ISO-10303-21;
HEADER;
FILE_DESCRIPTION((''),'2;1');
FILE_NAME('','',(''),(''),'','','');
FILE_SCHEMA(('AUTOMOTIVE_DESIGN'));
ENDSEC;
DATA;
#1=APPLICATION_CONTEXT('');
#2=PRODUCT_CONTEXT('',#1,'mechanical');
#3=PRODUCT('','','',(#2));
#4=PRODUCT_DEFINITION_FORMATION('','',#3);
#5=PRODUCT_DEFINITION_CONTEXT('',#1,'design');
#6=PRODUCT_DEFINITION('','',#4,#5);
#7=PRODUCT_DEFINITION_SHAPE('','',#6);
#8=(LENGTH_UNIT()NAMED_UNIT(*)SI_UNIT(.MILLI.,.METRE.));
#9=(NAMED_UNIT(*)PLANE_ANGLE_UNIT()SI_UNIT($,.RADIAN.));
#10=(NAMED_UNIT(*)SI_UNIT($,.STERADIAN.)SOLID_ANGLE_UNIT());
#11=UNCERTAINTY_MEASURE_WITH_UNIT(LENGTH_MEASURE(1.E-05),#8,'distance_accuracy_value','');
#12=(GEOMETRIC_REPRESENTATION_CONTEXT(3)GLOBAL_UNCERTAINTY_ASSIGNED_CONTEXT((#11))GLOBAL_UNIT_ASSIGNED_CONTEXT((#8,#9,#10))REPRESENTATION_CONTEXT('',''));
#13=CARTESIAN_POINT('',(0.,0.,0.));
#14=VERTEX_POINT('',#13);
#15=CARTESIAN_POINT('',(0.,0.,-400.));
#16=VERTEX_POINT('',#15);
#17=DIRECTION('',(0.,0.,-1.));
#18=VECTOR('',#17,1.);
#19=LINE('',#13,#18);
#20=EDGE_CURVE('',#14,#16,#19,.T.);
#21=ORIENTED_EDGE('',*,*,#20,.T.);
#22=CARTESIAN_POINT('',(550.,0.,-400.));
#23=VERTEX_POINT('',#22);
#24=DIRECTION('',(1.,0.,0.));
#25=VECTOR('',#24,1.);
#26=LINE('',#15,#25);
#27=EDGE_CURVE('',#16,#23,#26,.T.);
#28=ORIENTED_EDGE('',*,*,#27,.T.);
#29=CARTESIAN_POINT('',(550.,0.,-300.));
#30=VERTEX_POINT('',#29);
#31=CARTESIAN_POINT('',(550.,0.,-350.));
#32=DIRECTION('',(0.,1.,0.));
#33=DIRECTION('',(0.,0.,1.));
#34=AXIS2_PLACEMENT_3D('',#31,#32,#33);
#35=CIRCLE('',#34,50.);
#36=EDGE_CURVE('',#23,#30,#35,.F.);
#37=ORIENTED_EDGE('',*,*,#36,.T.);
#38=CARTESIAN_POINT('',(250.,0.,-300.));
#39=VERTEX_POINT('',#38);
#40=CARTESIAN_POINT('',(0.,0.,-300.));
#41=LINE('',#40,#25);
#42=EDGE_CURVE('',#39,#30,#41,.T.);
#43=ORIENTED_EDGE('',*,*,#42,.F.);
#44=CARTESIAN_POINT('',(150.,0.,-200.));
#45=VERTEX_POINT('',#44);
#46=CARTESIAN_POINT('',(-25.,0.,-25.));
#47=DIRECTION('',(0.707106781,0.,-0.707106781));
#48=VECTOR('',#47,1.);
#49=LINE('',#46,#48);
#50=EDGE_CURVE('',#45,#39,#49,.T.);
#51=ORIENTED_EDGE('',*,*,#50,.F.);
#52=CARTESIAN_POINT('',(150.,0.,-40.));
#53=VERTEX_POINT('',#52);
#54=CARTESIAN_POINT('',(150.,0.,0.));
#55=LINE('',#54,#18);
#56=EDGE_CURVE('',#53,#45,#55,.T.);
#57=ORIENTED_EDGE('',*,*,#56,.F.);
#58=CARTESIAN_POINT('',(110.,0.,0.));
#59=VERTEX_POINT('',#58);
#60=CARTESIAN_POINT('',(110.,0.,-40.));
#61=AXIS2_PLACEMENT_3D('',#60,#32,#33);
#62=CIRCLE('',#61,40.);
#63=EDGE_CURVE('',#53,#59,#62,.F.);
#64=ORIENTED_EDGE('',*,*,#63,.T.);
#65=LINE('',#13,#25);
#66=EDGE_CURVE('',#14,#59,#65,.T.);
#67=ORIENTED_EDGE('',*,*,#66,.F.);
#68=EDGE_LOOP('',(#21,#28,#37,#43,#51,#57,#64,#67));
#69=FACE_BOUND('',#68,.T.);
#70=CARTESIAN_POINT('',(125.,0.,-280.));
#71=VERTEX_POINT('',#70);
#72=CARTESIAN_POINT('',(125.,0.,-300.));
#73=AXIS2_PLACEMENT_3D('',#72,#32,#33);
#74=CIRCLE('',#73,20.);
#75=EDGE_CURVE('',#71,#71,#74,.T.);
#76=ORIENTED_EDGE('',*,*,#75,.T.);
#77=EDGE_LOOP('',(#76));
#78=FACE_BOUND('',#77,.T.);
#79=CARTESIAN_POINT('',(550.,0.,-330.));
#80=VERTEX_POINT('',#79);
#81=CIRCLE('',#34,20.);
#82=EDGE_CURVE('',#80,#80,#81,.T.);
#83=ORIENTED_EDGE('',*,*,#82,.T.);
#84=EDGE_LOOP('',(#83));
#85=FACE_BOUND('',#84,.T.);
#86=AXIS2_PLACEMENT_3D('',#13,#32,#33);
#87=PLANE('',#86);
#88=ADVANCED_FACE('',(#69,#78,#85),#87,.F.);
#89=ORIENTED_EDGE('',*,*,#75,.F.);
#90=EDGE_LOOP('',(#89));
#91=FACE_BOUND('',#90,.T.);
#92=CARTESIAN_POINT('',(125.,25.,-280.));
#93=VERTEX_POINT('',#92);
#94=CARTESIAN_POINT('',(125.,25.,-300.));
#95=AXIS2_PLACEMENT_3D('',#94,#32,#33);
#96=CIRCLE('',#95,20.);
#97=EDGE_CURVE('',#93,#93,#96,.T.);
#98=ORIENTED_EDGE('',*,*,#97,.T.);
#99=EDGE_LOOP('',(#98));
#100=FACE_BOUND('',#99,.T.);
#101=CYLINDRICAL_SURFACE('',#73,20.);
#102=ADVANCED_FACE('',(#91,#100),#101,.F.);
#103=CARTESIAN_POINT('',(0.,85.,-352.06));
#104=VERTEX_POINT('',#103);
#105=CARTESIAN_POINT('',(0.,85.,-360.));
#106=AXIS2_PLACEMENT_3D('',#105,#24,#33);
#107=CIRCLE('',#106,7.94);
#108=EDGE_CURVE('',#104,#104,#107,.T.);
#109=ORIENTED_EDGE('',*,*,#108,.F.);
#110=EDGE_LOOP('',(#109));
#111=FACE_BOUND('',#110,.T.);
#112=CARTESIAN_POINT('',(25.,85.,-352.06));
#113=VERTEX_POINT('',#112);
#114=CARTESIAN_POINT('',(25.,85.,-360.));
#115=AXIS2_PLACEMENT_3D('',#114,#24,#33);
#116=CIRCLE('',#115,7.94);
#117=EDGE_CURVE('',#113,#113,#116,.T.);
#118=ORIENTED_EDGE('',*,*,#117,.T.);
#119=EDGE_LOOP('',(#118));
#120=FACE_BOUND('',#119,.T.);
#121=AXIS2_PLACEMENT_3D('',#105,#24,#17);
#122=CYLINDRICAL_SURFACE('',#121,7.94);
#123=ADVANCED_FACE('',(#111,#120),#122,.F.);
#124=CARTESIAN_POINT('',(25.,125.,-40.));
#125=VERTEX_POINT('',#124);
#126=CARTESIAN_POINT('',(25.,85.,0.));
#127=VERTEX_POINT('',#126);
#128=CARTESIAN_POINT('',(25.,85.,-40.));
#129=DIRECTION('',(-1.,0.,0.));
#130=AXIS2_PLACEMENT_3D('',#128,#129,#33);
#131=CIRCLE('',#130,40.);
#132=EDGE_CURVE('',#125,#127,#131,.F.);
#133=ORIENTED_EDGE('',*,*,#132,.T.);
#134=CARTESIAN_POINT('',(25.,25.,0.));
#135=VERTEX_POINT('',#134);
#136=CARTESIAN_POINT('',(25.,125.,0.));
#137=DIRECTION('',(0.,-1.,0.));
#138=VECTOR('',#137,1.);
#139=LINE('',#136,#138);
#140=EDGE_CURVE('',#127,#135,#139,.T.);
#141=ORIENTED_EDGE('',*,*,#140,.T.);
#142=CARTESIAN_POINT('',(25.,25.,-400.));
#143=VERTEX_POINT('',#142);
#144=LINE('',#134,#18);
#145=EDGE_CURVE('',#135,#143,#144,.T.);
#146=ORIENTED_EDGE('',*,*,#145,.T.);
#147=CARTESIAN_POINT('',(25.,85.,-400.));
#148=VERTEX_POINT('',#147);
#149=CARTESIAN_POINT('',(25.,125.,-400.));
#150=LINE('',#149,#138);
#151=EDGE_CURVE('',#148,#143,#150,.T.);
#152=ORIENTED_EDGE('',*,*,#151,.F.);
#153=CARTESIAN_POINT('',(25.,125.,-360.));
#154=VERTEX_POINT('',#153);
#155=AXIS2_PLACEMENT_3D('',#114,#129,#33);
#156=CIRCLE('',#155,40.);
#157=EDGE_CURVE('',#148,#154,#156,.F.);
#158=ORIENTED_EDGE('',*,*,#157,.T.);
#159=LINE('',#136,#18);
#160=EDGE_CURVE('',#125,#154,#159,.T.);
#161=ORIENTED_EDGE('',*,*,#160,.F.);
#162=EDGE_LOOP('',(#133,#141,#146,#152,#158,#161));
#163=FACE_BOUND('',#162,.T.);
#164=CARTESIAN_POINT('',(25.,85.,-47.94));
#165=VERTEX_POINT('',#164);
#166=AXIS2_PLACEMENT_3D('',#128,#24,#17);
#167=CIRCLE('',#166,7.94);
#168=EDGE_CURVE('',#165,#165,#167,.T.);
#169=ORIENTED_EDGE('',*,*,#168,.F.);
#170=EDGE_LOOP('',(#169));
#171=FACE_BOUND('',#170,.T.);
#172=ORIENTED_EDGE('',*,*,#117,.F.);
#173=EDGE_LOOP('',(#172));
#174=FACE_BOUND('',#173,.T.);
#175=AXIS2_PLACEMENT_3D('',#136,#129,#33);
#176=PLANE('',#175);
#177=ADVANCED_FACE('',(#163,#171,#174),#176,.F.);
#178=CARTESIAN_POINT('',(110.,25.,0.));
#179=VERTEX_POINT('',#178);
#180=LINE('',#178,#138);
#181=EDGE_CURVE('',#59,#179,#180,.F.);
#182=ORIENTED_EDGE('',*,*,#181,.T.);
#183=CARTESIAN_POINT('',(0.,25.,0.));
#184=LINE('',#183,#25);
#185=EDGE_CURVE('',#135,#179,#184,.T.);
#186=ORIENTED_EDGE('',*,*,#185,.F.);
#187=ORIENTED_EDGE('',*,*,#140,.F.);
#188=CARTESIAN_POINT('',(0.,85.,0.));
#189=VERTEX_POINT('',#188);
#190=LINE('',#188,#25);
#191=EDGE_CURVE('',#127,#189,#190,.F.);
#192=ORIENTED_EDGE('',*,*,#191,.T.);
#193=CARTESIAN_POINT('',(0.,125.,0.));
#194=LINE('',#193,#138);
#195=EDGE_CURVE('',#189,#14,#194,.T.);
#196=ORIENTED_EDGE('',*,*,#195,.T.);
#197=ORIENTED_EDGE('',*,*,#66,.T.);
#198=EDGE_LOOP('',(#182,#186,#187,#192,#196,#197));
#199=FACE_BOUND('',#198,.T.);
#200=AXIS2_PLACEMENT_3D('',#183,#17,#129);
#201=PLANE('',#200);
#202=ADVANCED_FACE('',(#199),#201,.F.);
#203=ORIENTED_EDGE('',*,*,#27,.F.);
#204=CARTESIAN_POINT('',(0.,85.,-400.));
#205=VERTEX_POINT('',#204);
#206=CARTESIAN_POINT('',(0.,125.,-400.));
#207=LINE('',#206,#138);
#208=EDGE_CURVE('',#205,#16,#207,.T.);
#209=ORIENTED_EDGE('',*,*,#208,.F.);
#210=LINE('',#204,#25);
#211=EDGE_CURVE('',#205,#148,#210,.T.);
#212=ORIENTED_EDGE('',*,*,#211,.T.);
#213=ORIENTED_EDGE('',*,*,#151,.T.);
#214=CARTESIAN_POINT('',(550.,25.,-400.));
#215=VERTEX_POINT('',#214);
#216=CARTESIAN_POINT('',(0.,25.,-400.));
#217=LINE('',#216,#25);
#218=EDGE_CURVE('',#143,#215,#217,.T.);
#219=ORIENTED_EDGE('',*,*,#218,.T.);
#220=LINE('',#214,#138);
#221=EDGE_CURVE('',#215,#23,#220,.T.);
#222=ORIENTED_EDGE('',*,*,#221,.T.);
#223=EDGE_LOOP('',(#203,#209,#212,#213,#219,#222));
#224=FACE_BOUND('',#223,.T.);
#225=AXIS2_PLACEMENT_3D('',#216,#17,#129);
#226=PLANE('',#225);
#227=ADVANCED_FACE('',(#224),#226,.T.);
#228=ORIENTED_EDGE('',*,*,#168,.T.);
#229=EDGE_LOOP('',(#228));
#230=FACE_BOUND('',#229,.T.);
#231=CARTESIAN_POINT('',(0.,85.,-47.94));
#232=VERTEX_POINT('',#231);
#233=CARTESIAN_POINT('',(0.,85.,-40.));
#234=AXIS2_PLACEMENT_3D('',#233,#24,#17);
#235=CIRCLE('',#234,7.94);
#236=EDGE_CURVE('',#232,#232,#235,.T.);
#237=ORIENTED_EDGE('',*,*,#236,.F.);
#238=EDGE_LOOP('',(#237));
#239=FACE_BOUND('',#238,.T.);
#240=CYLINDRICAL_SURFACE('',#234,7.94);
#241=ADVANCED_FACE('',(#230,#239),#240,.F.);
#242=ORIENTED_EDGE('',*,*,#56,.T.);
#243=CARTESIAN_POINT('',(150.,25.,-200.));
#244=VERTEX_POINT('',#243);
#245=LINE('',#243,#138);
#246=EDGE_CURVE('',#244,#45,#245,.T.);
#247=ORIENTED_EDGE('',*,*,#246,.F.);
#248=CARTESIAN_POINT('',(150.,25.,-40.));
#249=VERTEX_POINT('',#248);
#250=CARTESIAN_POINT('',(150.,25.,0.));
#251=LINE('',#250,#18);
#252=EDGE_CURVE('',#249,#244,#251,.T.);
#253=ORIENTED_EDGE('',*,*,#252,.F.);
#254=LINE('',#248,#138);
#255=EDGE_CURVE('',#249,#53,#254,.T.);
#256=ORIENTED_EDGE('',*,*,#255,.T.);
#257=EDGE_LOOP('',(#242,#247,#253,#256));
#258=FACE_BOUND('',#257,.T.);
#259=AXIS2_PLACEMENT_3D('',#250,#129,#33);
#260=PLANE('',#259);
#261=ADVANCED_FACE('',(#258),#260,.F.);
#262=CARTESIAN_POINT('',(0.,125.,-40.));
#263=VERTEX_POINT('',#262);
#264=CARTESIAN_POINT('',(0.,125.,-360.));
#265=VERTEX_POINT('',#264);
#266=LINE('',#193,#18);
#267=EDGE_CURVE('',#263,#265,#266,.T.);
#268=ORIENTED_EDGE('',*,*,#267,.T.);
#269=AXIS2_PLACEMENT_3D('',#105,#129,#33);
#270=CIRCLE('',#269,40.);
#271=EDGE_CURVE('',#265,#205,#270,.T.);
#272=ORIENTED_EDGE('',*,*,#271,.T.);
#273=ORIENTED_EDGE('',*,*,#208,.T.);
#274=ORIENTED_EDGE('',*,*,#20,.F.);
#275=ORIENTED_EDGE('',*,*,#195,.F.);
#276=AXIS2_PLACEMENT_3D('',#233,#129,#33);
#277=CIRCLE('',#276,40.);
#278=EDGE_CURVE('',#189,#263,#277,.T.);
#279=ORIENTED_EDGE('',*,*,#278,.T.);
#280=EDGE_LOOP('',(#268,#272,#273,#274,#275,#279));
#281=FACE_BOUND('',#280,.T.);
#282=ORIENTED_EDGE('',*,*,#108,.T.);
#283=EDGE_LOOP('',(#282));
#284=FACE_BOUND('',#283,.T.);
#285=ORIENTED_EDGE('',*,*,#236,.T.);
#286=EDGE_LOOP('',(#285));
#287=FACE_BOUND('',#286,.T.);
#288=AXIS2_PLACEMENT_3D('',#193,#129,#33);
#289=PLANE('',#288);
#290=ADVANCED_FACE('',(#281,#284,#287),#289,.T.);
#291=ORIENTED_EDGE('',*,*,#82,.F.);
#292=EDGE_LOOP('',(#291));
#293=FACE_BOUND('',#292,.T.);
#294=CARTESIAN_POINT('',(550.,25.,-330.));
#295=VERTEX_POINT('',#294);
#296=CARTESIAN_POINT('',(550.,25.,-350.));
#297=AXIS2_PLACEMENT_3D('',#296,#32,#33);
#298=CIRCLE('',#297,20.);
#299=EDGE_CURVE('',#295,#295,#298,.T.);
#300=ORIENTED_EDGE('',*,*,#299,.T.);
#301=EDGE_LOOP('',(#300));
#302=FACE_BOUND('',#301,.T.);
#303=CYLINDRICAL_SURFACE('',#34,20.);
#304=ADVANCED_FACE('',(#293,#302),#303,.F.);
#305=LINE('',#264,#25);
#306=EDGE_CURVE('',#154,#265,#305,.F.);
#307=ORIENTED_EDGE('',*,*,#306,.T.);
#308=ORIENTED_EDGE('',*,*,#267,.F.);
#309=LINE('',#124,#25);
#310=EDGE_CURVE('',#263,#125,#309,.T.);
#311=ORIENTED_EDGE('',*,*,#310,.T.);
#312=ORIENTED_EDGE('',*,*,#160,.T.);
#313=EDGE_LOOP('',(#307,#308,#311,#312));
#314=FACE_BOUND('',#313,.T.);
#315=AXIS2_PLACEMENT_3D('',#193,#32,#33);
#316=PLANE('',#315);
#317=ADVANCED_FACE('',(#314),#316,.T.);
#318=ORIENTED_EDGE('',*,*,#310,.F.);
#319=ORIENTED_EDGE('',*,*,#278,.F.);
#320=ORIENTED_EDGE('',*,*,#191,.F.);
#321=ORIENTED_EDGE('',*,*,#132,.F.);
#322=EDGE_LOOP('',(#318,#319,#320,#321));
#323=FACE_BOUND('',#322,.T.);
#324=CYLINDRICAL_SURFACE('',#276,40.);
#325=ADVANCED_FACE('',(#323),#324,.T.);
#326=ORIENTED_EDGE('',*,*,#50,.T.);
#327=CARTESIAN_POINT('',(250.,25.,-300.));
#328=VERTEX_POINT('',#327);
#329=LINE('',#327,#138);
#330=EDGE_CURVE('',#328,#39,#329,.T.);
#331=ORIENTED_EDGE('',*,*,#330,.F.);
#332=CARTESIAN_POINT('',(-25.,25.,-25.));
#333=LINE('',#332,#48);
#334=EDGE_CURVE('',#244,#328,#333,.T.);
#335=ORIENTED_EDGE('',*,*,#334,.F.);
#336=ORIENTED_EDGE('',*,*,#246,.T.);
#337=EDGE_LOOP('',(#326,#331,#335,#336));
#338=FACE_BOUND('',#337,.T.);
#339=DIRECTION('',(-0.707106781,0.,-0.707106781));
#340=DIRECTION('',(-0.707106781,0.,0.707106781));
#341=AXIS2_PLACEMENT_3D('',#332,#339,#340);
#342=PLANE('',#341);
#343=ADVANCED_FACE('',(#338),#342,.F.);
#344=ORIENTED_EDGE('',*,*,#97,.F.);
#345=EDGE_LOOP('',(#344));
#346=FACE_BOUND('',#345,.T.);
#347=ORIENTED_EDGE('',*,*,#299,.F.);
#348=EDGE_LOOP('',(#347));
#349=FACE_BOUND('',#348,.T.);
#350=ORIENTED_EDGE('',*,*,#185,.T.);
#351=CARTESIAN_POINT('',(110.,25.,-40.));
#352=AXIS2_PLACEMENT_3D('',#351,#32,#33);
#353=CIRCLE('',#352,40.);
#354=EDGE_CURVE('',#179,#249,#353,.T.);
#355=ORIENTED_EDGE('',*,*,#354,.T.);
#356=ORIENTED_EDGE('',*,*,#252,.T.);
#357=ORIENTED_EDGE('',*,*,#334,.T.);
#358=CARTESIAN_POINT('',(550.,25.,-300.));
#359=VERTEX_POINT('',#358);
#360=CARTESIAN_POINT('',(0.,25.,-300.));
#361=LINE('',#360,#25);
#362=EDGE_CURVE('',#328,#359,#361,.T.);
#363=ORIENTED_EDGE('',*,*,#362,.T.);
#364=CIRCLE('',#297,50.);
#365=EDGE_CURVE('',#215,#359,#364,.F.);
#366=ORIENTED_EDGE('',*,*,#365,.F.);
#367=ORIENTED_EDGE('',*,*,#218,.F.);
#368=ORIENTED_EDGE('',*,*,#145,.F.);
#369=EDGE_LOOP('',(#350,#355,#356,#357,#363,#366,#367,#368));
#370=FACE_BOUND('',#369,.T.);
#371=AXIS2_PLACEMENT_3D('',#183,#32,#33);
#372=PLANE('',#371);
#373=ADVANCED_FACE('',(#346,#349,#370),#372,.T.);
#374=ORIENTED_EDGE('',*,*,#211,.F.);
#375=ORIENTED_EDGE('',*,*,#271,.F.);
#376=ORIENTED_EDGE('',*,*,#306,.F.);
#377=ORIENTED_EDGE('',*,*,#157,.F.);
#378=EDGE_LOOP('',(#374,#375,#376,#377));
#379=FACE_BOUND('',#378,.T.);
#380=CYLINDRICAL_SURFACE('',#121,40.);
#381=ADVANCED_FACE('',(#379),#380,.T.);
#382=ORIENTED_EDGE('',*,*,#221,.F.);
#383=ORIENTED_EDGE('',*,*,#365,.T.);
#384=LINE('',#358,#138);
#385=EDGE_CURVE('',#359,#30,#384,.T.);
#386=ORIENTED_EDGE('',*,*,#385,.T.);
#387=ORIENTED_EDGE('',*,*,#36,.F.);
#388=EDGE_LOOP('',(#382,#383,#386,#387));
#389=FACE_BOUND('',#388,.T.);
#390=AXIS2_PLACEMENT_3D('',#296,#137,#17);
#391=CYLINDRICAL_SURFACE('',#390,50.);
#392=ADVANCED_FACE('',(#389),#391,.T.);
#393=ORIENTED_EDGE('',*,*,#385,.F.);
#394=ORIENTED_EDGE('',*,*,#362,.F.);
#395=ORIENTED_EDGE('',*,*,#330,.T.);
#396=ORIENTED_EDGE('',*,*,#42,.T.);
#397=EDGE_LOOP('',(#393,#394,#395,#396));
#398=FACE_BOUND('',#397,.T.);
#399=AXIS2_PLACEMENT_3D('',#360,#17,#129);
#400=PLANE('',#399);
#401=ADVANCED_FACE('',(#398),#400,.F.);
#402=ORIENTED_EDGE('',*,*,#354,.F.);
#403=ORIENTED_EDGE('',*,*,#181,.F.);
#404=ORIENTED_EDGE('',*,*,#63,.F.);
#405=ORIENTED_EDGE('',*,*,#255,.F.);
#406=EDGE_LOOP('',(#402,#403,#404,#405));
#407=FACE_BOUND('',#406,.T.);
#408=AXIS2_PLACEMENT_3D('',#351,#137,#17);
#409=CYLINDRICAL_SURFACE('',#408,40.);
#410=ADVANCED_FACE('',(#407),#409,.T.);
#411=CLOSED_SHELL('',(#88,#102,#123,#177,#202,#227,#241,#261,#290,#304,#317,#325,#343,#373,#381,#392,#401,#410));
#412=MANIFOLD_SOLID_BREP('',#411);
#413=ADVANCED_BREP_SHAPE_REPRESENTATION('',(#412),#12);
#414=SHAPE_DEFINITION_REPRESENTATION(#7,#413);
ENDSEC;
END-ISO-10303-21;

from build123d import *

# Parameters (mm, degrees)
BOSS_EXTRUDE2_DEPTH = 25
SKETCH1_4_W         = 25
SKETCH1_4_H         = 400
BOSS_EXTRUDE3_DEPTH = 125
FILLET1_R           = 40
SKETCH2_R           = 20
CUT_EXTRUDE1_DEPTH  = 729.010988928
FILLET2_R           = 40
SKETCH3_R           = 7.94
CUT_EXTRUDE2_DEPTH  = 712.512473538


with BuildPart() as part:
    # Sketch1 → Boss-Extrude2 (new body)
    with BuildSketch(Plane(origin=(0, 0, 0), x_dir=(1, 0, 0), z_dir=(0, 1, 0))):
        with BuildLine():
            Line((25, 400), (25, 0))
            Line((25, 0), (150, 0))
            Line((150, 0), (150, 200))
            Line((150, 200), (250, 300))
            Line((250, 300), (550, 300))
            ThreePointArc((550, 300), (600, 350), (550, 400))
            Line((550, 400), (25, 400))
        make_face()
    extrude(amount=BOSS_EXTRUDE2_DEPTH)

    # Sketch1<4> → Boss-Extrude3 (add)
    with BuildSketch(Plane(origin=(0, 0, 0), x_dir=(1, 0, 0), z_dir=(0, 1, 0))):
        with Locations((12.5, 200)):
            Rectangle(SKETCH1_4_W, SKETCH1_4_H)
    extrude(amount=BOSS_EXTRUDE3_DEPTH)

    # Fillet1
    fillet1_edges = [part.edges().sort_by_distance(p)[0] for p in [
        (150, 12.5, 0),
    ]]
    fillet(fillet1_edges, radius=FILLET1_R)

    # Sketch2 → Cut-Extrude1 (cut, through all)
    with BuildSketch(Plane(origin=(0, 25, 0), x_dir=(1, 0, 0), z_dir=(0, 1, 0))):
        with Locations((550, 350)):
            Circle(SKETCH2_R)
        with Locations((125, 300)):
            Circle(SKETCH2_R)
    extrude(amount=-CUT_EXTRUDE1_DEPTH, mode=Mode.SUBTRACT)

    # Fillet2
    fillet2_edges = [part.edges().sort_by_distance(p)[0] for p in [
        (12.5, 125, 0),
        (12.5, 125, -400),
    ]]
    fillet(fillet2_edges, radius=FILLET2_R)

    # Sketch3 → Cut-Extrude2 (cut, through all)
    with BuildSketch(Plane(origin=(25, 0, 0), x_dir=(0, 0, -1), z_dir=(1, 0, 0))):
        with Locations((40, 85)):
            Circle(SKETCH3_R)
        with Locations((360, 85)):
            Circle(SKETCH3_R)
    extrude(amount=-CUT_EXTRUDE2_DEPTH, mode=Mode.SUBTRACT)


solid = part.part
